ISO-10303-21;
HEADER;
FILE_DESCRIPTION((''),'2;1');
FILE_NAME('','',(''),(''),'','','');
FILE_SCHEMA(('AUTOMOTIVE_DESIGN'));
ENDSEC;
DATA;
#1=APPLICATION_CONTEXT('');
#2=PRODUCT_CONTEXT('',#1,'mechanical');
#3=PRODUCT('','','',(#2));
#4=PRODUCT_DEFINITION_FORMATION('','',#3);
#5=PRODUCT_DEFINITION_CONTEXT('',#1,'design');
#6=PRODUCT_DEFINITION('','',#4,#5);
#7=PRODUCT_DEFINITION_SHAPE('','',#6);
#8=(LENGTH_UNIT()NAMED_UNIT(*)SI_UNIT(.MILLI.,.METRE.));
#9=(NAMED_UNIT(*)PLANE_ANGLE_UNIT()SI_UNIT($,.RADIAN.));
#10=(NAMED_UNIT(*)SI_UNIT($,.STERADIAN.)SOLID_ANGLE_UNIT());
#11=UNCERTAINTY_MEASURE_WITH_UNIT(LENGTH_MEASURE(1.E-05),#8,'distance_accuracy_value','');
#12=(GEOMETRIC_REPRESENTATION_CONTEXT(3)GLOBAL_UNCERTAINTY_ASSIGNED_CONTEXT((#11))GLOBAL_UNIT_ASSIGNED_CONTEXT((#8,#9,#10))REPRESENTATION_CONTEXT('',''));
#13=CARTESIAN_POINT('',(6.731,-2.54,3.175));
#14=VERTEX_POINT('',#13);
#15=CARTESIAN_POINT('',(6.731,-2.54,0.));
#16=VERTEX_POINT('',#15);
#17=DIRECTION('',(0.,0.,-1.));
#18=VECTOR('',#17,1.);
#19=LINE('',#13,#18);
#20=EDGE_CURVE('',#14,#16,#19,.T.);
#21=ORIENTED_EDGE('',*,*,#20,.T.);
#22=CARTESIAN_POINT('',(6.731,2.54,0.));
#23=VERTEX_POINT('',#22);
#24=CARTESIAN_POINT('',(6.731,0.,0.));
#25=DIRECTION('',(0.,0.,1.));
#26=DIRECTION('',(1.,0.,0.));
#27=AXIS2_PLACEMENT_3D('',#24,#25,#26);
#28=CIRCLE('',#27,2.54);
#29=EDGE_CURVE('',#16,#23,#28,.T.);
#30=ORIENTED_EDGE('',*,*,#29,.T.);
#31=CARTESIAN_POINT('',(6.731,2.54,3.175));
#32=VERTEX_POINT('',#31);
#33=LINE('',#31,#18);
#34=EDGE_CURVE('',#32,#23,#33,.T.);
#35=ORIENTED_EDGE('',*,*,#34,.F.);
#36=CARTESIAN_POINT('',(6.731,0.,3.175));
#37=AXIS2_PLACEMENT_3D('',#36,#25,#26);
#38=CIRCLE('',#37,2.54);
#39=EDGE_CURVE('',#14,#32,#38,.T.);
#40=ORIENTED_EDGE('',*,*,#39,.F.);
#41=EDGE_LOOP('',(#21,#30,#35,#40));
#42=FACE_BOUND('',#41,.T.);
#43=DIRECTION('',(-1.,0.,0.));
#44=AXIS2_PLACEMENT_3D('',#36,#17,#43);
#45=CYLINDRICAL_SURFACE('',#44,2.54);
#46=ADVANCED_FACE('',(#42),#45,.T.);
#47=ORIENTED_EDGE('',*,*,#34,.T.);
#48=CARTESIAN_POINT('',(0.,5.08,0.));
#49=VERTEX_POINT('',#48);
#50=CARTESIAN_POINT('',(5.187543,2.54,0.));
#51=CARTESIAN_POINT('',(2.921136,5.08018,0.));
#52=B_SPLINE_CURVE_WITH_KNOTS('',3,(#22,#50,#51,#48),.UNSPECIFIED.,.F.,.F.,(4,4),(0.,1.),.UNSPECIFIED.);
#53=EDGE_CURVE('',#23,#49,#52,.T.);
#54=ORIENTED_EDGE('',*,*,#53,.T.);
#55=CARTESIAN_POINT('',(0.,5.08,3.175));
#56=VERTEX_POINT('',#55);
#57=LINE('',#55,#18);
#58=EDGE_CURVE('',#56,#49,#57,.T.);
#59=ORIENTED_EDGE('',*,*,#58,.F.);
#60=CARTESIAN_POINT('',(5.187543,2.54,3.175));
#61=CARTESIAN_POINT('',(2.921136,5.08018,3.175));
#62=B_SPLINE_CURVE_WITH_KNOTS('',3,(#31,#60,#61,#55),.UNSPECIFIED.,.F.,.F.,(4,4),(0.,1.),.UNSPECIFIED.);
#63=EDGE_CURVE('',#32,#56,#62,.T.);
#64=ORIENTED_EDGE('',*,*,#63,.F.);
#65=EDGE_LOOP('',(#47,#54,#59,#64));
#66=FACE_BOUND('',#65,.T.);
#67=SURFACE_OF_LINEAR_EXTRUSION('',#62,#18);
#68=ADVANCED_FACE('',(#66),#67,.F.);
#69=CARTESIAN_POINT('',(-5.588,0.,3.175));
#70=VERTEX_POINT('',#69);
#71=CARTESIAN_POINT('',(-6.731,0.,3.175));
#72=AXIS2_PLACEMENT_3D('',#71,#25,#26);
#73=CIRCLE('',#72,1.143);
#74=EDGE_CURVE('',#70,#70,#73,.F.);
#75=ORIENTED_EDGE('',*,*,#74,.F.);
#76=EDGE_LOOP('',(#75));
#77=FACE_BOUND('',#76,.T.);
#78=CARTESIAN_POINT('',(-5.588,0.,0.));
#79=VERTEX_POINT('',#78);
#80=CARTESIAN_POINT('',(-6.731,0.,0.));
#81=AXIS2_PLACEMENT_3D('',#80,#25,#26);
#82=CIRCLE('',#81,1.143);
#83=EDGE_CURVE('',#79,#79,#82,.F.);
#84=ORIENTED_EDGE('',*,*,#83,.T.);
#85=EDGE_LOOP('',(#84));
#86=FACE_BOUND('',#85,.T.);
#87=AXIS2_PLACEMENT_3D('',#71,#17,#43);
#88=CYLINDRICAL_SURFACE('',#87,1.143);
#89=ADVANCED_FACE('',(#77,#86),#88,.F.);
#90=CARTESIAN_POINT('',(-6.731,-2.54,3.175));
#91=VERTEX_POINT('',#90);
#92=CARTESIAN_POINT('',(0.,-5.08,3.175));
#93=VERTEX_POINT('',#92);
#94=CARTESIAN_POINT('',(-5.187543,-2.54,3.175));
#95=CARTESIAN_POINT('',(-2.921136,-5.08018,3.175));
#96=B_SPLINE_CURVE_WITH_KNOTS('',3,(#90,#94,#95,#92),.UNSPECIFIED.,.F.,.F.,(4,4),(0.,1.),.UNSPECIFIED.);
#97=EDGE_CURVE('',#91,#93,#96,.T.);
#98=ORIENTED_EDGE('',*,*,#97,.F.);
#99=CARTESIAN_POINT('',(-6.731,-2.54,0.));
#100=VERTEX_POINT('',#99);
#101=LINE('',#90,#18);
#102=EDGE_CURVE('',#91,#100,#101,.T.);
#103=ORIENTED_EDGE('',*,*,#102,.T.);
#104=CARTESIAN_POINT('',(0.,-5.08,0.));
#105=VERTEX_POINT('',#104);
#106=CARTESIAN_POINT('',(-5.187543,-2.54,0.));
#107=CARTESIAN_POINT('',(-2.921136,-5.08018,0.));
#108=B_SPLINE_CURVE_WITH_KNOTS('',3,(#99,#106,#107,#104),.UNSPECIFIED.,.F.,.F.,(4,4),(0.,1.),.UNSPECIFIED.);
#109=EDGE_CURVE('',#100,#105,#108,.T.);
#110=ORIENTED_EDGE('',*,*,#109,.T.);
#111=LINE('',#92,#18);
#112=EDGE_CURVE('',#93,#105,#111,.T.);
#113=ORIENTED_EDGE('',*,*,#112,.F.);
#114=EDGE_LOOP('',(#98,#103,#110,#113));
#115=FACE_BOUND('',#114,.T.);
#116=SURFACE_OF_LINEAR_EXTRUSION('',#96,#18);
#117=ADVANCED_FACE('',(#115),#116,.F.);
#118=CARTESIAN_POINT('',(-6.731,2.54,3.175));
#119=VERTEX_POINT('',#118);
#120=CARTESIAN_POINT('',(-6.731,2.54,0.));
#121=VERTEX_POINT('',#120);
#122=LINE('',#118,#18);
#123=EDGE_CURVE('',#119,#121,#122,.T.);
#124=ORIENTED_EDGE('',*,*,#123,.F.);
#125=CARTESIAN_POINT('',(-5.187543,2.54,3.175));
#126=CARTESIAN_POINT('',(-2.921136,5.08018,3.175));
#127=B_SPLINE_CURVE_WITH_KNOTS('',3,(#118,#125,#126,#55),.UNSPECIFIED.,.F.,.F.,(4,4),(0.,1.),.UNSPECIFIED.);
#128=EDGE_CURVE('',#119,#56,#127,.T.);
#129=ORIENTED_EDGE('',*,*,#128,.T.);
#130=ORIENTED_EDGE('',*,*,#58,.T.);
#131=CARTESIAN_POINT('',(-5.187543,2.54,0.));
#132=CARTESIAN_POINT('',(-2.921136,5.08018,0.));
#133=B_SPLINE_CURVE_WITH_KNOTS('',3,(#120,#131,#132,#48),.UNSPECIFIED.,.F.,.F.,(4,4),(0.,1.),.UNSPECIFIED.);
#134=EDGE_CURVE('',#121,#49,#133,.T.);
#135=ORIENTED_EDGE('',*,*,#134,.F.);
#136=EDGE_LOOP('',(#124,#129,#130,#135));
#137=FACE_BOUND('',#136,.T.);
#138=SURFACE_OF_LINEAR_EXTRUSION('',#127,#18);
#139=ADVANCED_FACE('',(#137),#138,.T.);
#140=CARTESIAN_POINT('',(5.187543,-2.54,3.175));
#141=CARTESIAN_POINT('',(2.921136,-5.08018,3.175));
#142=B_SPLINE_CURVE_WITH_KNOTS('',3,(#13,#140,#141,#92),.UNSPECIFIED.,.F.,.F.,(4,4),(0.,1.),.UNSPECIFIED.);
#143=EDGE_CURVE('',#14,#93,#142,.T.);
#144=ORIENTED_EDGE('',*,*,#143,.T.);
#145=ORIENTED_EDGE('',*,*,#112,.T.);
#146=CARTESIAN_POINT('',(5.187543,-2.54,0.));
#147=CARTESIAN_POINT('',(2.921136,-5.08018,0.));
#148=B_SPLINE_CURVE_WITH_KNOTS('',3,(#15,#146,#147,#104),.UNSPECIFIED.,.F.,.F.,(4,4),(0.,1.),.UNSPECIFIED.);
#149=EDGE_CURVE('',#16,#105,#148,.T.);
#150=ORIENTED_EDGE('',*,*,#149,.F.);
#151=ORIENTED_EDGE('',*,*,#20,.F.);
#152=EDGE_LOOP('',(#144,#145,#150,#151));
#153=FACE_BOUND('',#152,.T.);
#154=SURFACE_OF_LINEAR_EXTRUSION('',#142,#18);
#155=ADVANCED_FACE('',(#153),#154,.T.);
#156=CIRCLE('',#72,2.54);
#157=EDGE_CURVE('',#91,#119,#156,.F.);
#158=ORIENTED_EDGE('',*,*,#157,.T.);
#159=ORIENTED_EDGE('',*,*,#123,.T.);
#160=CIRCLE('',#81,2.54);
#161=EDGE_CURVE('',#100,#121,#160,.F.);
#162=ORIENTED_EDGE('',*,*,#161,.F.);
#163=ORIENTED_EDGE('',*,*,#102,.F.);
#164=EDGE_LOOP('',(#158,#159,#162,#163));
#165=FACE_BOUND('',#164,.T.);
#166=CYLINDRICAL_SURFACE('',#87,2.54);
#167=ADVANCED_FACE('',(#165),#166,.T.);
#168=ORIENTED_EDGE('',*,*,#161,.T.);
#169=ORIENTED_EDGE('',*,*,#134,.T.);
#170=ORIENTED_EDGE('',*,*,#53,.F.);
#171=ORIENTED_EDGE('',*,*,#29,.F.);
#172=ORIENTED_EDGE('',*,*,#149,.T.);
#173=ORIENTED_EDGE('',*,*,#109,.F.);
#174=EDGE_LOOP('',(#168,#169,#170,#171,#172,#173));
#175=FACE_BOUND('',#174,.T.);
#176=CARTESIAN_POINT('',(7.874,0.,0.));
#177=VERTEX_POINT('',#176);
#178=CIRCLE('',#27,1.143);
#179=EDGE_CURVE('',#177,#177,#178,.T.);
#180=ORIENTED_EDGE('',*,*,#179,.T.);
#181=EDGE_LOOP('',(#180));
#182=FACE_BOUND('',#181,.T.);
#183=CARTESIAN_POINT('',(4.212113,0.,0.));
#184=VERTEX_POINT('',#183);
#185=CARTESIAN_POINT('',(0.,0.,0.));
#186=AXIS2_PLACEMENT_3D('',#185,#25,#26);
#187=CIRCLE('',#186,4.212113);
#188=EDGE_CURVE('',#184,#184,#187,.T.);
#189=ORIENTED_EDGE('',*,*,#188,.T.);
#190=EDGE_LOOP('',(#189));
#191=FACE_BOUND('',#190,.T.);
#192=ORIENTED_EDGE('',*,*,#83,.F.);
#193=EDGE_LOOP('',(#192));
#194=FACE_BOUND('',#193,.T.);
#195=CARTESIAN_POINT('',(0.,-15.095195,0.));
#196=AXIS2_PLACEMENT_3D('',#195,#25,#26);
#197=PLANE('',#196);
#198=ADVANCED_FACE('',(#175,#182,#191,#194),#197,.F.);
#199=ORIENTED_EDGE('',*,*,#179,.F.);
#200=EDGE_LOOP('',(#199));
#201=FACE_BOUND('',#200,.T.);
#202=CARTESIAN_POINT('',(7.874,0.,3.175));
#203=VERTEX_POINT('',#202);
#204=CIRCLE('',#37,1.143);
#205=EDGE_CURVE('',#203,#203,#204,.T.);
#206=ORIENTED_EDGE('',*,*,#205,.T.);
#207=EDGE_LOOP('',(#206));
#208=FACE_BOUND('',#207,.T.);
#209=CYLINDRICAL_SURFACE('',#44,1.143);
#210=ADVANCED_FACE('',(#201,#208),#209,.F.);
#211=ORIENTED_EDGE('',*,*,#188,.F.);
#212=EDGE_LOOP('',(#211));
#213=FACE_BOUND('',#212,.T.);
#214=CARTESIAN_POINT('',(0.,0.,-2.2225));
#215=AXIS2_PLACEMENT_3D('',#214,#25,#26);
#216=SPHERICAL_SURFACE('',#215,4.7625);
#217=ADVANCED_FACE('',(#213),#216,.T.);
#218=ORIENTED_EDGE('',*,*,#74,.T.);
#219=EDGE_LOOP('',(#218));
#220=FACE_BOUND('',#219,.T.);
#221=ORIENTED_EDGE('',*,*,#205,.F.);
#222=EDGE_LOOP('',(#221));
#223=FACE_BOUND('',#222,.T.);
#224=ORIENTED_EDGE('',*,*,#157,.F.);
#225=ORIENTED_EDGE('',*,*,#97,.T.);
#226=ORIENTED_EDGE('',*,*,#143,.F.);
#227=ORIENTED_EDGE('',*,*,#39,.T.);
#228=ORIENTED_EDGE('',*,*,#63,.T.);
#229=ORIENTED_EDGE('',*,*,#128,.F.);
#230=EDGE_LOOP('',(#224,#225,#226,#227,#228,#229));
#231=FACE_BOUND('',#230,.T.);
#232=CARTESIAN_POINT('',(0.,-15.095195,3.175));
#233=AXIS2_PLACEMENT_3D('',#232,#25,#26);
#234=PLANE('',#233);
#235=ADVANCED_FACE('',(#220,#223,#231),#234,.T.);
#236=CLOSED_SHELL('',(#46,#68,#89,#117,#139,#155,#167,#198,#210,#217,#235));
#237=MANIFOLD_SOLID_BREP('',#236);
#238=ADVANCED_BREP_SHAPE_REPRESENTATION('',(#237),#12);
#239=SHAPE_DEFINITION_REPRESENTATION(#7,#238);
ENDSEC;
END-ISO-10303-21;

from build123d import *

# Parameters (mm, degrees)
SKETCH1_R           = 1.143
BOSS_EXTRUDE1_DEPTH = 3.175


with BuildPart() as part:
    # Sketch1 → Boss-Extrude1 (new body)
    with BuildSketch(Plane.XY):
        with BuildLine():
            ThreePointArc((-6.731, -2.54), (-9.271, 0), (-6.731, 2.54))
            add(Edge.make_bspline(
                [(-6.731, 2.54), (-5.187542856, 2.54), (-2.92113625, 5.080180466), (0, 5.08)],
                knots=[0, 0, 0, 0, 1, 1, 1, 1], degree=3))
            add(Edge.make_bspline(
                [(6.731, 2.54), (5.187542856, 2.54), (2.92113625, 5.080180466), (0, 5.08)],
                knots=[0, 0, 0, 0, 1, 1, 1, 1], degree=3))
            ThreePointArc((6.731, 2.54), (9.271, 0), (6.731, -2.54))
            add(Edge.make_bspline(
                [(6.731, -2.54), (5.187542856, -2.54), (2.92113625, -5.080180466), (0, -5.08)],
                knots=[0, 0, 0, 0, 1, 1, 1, 1], degree=3))
            add(Edge.make_bspline(
                [(-6.731, -2.54), (-5.187542856, -2.54), (-2.92113625, -5.080180466), (0, -5.08)],
                knots=[0, 0, 0, 0, 1, 1, 1, 1], degree=3))
        make_face()
        with Locations((6.731, 0)):
            Circle(SKETCH1_R, mode=Mode.SUBTRACT)
        with Locations((-6.731, 0)):
            Circle(SKETCH1_R, mode=Mode.SUBTRACT)
    extrude(amount=BOSS_EXTRUDE1_DEPTH)

    # Sketch4 → Revolve1 (revolve)
    with BuildSketch(Plane(origin=(0, 0, 0), x_dir=(1, 0, 0), z_dir=(0, 1, 0))):
        with BuildLine():
            Line((0, 0), (4.212113484, 0))
            ThreePointArc((4.212113484, 0), (4.078361344, 4.681844425), (0, 6.985))
            Line((0, 6.985), (0, 0))
        make_face()
    revolve(axis=Axis((0, 0, 0), (0, 0, -1)))


solid = part.part
